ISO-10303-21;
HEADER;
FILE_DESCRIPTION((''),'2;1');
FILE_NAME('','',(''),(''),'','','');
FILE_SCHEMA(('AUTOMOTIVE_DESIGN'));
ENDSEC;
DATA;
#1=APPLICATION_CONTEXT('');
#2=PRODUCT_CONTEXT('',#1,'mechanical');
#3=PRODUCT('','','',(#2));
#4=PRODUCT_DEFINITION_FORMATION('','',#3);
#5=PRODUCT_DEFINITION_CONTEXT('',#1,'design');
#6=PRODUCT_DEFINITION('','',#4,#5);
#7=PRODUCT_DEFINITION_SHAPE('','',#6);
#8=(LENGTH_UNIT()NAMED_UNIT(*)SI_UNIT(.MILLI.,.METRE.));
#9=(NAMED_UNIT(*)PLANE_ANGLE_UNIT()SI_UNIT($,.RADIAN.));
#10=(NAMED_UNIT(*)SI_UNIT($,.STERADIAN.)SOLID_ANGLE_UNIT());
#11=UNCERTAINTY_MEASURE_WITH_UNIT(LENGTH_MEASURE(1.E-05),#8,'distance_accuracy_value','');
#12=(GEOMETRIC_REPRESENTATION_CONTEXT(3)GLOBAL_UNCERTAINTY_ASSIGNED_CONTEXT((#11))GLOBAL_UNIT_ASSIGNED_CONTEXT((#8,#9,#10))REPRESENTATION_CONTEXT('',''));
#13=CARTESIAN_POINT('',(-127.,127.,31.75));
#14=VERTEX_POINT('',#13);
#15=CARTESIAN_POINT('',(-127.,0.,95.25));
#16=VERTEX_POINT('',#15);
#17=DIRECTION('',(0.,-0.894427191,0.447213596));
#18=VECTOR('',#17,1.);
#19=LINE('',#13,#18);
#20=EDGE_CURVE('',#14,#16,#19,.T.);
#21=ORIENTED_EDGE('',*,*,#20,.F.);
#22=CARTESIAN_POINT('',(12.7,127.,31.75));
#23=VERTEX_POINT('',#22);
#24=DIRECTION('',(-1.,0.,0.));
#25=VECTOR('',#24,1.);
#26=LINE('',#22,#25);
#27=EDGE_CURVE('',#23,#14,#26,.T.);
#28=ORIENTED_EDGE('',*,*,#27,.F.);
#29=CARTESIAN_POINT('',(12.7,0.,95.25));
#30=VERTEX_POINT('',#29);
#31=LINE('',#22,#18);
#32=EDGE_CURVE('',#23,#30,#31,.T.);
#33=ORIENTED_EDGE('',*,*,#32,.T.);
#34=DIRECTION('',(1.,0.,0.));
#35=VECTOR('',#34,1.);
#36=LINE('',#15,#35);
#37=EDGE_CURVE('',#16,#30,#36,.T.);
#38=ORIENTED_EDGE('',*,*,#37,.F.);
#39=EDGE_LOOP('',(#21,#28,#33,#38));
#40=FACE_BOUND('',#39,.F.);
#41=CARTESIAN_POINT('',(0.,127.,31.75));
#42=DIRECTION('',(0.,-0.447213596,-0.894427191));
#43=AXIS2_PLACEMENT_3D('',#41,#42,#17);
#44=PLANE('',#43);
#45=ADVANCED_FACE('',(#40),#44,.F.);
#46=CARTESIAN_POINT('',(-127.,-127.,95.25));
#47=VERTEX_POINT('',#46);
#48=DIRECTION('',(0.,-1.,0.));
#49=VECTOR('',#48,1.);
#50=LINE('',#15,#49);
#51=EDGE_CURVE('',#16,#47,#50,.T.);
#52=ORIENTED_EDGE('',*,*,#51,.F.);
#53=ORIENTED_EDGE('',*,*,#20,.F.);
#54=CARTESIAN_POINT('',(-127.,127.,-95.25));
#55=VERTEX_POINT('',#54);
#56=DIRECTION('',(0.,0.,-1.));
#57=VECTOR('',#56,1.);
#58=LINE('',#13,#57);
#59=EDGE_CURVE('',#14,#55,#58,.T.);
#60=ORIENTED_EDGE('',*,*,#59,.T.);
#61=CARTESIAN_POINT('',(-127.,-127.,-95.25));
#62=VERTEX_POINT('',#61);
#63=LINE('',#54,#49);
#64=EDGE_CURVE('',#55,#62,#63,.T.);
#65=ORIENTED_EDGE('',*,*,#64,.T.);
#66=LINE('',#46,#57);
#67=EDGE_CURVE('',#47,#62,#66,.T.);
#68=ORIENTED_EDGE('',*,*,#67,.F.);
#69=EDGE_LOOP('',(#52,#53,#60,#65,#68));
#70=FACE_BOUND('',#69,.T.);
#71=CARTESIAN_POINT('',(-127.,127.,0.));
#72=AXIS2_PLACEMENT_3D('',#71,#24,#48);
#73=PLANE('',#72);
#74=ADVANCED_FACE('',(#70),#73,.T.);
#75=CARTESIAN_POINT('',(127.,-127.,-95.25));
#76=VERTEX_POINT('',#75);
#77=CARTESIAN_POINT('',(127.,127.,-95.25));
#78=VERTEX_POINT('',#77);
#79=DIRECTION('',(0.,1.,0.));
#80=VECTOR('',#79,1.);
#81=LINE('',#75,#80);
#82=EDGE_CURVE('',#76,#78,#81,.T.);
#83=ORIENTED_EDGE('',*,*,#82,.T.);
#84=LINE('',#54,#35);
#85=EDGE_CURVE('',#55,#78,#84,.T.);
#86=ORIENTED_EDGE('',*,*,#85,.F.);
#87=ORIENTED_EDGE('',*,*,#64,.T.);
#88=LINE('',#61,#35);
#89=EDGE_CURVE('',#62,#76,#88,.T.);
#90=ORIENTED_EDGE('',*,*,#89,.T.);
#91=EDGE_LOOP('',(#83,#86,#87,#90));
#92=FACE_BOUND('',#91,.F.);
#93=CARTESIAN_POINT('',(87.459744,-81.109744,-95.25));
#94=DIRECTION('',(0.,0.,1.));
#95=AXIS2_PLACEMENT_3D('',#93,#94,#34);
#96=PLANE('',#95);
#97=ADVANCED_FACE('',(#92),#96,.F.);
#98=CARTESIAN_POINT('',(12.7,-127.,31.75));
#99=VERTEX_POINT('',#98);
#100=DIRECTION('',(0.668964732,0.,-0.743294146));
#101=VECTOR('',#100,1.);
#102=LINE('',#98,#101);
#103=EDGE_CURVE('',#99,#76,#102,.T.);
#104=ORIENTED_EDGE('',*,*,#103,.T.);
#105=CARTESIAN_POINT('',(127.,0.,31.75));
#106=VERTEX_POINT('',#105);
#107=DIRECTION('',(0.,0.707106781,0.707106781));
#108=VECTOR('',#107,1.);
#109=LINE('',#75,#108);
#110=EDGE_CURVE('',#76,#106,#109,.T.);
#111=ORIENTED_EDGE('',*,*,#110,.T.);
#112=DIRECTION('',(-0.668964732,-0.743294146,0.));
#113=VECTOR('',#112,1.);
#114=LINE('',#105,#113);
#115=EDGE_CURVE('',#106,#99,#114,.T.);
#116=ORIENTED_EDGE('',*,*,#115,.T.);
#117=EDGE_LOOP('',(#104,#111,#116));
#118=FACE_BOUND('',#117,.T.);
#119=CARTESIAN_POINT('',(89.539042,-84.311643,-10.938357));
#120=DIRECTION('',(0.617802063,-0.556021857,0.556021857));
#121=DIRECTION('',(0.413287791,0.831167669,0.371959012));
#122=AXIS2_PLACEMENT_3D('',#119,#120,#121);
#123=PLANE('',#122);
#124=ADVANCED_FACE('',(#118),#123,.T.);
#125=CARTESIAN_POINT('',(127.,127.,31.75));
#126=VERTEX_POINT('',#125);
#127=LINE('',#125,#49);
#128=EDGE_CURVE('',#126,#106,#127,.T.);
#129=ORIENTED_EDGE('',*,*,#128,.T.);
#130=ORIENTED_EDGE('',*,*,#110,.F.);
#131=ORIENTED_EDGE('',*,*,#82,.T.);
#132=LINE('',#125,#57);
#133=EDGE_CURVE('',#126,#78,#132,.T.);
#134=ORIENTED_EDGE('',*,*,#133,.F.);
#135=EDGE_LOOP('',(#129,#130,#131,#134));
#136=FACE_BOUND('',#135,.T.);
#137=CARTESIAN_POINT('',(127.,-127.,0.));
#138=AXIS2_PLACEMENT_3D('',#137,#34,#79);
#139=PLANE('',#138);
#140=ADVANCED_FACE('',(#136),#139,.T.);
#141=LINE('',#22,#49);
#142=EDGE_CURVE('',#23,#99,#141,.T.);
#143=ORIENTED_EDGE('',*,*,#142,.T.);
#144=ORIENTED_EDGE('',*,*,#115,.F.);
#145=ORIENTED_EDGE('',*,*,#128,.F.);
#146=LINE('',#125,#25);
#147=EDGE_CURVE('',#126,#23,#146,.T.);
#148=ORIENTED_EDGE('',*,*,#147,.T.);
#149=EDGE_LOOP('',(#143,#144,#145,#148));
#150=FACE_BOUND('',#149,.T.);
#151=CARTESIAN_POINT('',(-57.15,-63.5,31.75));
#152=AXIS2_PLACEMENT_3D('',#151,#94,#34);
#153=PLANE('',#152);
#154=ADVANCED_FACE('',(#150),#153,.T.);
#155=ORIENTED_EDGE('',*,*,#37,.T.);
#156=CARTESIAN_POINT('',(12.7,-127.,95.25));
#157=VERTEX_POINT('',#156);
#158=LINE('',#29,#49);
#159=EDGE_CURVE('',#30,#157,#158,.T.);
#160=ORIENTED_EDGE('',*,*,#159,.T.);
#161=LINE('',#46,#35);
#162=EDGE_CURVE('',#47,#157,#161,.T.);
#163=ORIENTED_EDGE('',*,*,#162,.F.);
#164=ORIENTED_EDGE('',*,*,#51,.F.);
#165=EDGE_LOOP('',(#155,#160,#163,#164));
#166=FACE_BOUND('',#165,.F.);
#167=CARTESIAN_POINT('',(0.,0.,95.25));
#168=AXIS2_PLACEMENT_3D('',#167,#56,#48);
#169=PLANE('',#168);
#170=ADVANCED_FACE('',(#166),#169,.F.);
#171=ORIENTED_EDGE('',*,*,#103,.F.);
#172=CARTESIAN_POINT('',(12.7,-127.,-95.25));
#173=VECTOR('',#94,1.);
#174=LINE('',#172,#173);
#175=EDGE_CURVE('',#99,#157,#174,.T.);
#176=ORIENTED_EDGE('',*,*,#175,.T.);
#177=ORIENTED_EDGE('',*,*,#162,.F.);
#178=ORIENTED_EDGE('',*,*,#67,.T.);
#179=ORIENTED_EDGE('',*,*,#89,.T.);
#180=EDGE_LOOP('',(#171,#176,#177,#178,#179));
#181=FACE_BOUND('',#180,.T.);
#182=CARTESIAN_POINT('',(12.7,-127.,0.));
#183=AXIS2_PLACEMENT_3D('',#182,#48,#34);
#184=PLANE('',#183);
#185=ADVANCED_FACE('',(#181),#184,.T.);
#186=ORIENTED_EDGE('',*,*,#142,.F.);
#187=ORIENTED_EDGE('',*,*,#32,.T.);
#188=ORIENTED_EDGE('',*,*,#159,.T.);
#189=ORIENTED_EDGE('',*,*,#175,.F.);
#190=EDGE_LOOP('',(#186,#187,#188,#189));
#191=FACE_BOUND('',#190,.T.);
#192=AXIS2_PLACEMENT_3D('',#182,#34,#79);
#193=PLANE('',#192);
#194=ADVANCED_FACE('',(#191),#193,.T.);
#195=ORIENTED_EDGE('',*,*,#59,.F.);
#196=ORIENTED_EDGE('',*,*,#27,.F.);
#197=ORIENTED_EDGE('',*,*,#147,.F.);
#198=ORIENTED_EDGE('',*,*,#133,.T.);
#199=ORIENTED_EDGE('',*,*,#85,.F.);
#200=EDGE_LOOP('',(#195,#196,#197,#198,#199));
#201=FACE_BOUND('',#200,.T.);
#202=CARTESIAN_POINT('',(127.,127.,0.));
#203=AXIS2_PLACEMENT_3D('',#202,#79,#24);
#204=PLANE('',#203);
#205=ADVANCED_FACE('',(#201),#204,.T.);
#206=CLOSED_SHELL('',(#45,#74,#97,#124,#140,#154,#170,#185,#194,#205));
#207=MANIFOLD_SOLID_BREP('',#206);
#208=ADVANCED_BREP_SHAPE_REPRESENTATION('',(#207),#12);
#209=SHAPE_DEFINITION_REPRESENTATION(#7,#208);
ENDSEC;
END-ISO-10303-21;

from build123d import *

# Parameters (mm, degrees)
F2_DEPTH  = 127
F3_DEPTH  = 12.7
F0_W      = 139.7
F0_H      = 127
F4_DEPTH  = 31.75
F5_DEPTH  = 95.25
F6_DEPTH  = 31.75
F7_DEPTH  = 95.25
F8_DEPTH  = 31.75
F9_DEPTH  = 95.25
F13_DEPTH = 185.674


with BuildPart() as f2:
    # F1 (on Right) → F2 (new body)
    with BuildSketch(Plane.YZ):
        Polygon((0, 31.75), (127, 31.75), (0, 95.25), (-127, 95.25), (-127, 31.75), align=None)
    extrude(amount=-F2_DEPTH)

    # F1 (on Right) → F3 (join)
    with BuildSketch(Plane.YZ):
        Polygon((0, 31.75), (127, 31.75), (0, 95.25), (-127, 95.25), (-127, 31.75), align=None)
    extrude(amount=F3_DEPTH)

    # F0 (on Top) → F4 (join)
    with BuildSketch(Plane.XY):
        with Locations((-57.15, -63.5)):
            Rectangle(F0_W, F0_H)
        with Locations((-57.15, 63.5)):
            Rectangle(F0_W, F0_H)
    extrude(amount=F4_DEPTH)

    # F0 (on Top) → F5 (join)
    with BuildSketch(Plane.XY):
        with Locations((-57.15, -63.5)):
            Rectangle(F0_W, F0_H)
        with Locations((-57.15, 63.5)):
            Rectangle(F0_W, F0_H)
    extrude(amount=-F5_DEPTH)

    # F0 (on Top) → F6 (join)
    with BuildSketch(Plane.XY):
        Polygon((12.7, 0), (12.7, -127), (127, 0), (127, 127), (12.7, 127), align=None)
    extrude(amount=F6_DEPTH)

    # F0 (on Top) → F7 (join)
    with BuildSketch(Plane.XY):
        Polygon((12.7, 0), (12.7, -127), (127, 0), (127, 127), (12.7, 127), align=None)
    extrude(amount=-F7_DEPTH)

    # F0 (on Top) → F8 (join)
    with BuildSketch(Plane.XY):
        with Locations((-57.15, -63.5)):
            Rectangle(F0_W, F0_H)
        Polygon((127, 0), (12.7, -127), (127, -127), align=None)
        Polygon((12.7, 0), (12.7, -127), (127, 0), (127, 127), (12.7, 127), align=None)
        with Locations((-57.15, 63.5)):
            Rectangle(F0_W, F0_H)
    extrude(amount=F8_DEPTH)

    # F0 (on Top) → F9 (join)
    with BuildSketch(Plane.XY):
        Polygon((127, 0), (12.7, -127), (127, -127), align=None)
    extrude(amount=-F9_DEPTH)

    # F12 (on 3pt) → F13 (cut)
    with BuildSketch(Plane(origin=(59.3797709924, -53.4417938931, 53.4417938931), x_dir=(0.4132877914, 0.8311676694, 0.3719590123), z_dir=(0.6178020632, -0.5560218569, 0.5560218569))):
        Polygon((-88.4998404232, -155.7572883461), (64.2972481493, -61.3589317727), (-88.4998404232, 15.1037370517), align=None)
    extrude(amount=F13_DEPTH, mode=Mode.SUBTRACT)


solid = f2.part
